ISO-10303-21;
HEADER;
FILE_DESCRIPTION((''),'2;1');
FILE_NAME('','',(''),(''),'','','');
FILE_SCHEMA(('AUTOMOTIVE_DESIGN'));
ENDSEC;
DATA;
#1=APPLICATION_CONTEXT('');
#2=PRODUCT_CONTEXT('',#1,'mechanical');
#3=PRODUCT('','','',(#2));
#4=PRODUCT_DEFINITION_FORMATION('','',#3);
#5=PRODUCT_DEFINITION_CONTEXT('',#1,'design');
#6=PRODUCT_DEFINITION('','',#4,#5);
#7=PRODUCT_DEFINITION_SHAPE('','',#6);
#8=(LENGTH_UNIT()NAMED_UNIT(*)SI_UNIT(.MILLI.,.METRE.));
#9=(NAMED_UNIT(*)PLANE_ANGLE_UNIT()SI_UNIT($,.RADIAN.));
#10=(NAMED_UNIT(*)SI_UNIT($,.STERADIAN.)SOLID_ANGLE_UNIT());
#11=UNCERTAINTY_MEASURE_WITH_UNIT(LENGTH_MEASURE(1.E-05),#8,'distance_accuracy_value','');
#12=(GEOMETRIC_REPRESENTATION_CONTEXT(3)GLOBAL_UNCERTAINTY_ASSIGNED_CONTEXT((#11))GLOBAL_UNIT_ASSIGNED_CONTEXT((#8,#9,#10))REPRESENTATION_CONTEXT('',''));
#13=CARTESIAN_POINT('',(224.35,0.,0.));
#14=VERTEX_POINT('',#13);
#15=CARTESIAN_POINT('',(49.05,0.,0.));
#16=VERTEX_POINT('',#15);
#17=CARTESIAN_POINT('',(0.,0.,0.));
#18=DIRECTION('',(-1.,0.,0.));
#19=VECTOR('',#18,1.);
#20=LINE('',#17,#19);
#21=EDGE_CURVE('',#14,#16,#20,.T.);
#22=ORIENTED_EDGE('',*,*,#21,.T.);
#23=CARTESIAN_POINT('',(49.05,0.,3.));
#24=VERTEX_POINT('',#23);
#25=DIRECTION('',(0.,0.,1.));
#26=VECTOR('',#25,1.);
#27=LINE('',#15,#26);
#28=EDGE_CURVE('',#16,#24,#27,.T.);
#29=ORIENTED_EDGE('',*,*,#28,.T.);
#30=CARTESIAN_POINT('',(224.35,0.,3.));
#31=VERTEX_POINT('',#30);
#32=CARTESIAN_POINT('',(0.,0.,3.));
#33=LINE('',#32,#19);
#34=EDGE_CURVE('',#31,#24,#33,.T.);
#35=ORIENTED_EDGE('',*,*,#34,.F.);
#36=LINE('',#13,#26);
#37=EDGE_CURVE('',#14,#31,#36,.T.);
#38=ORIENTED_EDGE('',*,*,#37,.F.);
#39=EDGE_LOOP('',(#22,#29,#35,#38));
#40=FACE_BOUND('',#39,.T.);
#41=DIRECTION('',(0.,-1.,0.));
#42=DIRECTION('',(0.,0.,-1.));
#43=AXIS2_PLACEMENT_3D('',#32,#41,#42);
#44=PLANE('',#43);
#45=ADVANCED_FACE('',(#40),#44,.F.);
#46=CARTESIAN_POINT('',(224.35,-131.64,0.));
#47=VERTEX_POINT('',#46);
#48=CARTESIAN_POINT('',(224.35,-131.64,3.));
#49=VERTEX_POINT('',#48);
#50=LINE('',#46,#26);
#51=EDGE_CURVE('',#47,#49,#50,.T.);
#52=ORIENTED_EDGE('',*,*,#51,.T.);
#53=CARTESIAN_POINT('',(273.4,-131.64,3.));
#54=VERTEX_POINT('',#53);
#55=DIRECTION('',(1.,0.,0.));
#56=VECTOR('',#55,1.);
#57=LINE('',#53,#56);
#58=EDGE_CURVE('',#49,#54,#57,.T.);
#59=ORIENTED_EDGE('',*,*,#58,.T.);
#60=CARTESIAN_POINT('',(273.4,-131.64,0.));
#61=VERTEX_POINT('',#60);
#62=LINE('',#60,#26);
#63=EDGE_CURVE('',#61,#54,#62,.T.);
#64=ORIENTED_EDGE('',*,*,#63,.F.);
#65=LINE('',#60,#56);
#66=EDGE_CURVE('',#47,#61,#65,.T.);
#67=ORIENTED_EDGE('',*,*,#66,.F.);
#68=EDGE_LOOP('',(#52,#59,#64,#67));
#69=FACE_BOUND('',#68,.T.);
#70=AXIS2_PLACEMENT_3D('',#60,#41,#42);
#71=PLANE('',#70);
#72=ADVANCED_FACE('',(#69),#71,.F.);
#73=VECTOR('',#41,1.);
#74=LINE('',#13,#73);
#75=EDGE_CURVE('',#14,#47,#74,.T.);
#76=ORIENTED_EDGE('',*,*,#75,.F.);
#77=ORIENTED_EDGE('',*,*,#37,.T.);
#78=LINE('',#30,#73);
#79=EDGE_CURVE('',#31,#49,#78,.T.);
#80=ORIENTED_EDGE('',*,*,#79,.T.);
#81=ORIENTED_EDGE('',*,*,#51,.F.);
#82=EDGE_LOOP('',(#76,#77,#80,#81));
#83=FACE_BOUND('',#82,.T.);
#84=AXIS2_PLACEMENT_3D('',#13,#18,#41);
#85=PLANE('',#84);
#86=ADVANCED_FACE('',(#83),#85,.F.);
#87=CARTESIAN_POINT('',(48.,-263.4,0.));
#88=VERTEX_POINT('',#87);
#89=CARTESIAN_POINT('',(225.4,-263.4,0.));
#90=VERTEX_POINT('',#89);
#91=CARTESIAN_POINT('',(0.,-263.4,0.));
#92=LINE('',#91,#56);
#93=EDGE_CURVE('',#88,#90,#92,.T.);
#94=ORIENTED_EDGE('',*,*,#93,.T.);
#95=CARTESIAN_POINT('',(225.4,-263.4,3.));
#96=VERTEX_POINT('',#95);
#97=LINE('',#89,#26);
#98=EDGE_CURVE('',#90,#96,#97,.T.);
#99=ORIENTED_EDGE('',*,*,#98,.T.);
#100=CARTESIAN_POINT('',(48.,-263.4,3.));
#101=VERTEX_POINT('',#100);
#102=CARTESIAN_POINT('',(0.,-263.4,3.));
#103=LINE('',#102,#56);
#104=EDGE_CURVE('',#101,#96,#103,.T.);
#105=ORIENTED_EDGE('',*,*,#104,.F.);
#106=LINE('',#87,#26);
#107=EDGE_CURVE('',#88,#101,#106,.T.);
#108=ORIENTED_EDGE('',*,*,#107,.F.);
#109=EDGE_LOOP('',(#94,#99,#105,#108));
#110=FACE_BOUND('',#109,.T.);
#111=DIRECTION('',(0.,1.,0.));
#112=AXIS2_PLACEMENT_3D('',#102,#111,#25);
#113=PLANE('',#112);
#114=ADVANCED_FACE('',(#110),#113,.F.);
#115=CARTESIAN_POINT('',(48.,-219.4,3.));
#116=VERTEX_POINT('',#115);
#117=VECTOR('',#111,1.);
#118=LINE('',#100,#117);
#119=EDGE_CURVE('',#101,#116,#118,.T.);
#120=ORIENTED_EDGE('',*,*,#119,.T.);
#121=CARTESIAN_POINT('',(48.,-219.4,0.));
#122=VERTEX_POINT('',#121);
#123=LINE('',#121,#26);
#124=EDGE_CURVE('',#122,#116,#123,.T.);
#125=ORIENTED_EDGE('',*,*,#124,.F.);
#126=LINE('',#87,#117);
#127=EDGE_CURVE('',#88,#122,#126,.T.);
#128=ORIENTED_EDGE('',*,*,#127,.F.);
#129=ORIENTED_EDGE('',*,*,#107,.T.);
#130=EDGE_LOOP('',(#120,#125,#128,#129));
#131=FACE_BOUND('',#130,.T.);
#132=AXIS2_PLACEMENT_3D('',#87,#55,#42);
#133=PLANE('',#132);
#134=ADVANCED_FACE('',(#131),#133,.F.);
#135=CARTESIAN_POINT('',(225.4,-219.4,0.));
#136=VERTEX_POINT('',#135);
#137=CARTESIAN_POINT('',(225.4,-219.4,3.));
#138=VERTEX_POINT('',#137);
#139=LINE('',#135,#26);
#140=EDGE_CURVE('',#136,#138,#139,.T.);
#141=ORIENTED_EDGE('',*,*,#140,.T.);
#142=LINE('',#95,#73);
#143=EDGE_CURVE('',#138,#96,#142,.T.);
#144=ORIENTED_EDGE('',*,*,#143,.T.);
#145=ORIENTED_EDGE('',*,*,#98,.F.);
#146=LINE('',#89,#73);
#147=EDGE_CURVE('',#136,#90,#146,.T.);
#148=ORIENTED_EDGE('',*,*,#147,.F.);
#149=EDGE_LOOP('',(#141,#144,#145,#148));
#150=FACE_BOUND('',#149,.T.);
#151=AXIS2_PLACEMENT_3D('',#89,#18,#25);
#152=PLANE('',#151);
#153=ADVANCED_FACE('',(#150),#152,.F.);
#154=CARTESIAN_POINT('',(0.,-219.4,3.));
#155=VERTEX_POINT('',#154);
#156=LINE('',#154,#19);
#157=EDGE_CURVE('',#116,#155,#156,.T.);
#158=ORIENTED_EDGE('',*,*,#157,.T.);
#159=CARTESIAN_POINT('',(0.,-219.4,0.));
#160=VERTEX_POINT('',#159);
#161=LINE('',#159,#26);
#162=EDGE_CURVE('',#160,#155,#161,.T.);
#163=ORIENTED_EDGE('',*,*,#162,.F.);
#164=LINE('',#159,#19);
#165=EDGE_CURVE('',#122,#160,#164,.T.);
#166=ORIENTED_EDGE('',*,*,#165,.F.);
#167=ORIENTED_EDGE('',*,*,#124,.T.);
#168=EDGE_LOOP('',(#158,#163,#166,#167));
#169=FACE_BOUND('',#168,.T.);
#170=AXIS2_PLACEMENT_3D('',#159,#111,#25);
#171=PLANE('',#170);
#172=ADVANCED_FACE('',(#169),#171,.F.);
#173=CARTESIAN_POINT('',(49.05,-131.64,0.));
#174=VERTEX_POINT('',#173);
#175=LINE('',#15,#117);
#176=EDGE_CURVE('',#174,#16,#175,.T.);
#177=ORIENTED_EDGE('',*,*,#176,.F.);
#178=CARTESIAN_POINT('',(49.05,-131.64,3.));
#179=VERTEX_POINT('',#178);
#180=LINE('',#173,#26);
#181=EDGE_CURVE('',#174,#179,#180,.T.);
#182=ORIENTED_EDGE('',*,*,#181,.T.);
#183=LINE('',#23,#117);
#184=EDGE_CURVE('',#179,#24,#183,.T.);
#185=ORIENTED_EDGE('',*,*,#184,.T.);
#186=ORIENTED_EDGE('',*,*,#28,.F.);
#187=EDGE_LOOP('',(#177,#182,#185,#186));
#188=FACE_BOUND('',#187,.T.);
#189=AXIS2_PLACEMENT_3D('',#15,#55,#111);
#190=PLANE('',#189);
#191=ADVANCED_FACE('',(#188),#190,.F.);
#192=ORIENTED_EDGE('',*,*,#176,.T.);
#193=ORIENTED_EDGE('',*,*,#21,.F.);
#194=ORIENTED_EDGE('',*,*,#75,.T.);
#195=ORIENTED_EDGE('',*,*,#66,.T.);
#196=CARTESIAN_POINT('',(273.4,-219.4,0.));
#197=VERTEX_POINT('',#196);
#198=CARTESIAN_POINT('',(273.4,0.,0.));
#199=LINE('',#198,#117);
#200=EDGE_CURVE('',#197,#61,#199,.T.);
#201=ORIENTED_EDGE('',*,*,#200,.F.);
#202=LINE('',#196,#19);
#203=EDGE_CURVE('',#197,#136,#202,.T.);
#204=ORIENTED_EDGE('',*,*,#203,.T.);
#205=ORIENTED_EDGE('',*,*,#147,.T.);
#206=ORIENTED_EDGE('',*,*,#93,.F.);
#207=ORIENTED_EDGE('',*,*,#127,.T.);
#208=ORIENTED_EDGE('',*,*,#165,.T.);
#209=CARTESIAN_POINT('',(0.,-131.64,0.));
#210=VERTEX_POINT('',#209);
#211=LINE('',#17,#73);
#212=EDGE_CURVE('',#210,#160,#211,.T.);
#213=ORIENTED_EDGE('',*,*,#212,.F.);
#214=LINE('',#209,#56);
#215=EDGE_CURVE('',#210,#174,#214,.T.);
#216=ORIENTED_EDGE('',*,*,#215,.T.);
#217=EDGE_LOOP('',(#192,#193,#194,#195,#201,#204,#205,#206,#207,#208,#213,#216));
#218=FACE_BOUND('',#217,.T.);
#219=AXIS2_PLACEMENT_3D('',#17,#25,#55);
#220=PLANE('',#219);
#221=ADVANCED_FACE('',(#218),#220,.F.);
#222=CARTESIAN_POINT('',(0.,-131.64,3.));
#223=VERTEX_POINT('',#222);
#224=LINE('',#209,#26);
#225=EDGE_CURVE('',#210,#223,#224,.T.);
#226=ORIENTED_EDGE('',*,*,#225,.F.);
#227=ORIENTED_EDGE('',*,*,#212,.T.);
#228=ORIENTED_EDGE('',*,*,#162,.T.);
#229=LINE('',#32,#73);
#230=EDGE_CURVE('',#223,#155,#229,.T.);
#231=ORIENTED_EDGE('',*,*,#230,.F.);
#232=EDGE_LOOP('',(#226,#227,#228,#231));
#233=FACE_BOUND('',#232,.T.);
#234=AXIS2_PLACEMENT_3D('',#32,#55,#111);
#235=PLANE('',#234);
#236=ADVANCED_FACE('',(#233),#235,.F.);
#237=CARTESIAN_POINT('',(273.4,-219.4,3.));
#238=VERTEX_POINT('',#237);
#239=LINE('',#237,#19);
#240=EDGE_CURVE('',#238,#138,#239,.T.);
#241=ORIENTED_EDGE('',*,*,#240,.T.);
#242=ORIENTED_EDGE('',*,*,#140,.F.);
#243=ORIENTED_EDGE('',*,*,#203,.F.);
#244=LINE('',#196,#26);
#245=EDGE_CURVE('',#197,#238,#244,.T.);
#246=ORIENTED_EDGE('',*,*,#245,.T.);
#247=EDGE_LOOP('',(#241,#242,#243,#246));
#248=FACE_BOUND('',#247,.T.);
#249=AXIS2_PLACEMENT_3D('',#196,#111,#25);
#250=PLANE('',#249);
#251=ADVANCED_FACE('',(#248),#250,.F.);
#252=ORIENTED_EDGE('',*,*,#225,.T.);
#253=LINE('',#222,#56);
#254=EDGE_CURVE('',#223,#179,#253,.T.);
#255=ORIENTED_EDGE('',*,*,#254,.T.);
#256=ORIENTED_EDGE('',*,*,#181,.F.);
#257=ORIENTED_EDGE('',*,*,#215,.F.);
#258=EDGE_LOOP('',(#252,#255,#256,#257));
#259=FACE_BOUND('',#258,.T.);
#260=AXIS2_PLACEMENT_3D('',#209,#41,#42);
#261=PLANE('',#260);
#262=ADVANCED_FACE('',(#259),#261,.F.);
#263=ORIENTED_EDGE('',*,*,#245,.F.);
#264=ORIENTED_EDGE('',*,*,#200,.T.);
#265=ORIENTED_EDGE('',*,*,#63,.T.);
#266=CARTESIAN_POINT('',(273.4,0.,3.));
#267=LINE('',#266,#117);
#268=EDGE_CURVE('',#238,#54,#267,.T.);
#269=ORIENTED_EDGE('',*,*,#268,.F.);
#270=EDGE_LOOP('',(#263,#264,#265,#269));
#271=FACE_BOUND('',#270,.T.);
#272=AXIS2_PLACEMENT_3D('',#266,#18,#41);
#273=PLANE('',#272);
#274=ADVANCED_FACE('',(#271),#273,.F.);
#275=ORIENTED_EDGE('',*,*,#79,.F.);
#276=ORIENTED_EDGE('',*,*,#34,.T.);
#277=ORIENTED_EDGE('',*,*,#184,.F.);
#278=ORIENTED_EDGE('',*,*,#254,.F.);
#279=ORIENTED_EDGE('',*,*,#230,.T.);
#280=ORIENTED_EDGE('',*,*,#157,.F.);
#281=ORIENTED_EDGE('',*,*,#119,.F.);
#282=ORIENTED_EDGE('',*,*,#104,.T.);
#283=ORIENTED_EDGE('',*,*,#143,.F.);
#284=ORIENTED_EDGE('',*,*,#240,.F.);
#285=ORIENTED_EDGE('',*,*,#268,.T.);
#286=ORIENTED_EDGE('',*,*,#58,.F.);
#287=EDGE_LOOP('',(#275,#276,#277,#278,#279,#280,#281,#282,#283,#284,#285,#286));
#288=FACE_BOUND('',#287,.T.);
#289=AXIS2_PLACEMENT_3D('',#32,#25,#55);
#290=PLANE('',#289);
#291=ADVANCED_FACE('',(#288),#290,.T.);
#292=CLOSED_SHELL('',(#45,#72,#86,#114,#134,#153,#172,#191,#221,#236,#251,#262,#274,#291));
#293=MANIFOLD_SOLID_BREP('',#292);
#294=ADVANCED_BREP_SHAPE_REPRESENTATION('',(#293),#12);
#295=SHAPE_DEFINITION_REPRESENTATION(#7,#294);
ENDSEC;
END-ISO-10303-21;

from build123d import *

# Parameters (mm, degrees)
SKETCH1_W           = 273.4
SKETCH1_H           = 263.4
BOSS_EXTRUDE1_DEPTH = 3
SKETCH2_W           = 49.05
SKETCH2_H           = 131.64
SKETCH2_W_2         = 48
SKETCH2_H_2         = 44
CUT_EXTRUDE1_DEPTH  = 380.652630703


with BuildPart() as part:
    # Sketch1 → Boss-Extrude1 (new body)
    with BuildSketch(Plane.XY):
        with Locations((136.7, -131.7)):
            Rectangle(SKETCH1_W, SKETCH1_H)
    extrude(amount=BOSS_EXTRUDE1_DEPTH)

    # Sketch2 → Cut-Extrude1 (cut, through all)
    with BuildSketch(Plane.XY.offset(3)):
        with Locations((24.525, -65.82)):
            Rectangle(SKETCH2_W, SKETCH2_H)
        with Locations((24, -241.4)):
            Rectangle(SKETCH2_W_2, SKETCH2_H_2)
        with Locations((248.875, -65.82)):
            Rectangle(SKETCH2_W, SKETCH2_H)
        with Locations((249.4, -241.4)):
            Rectangle(SKETCH2_W_2, SKETCH2_H_2)
    extrude(amount=-CUT_EXTRUDE1_DEPTH, mode=Mode.SUBTRACT)


solid = part.part
